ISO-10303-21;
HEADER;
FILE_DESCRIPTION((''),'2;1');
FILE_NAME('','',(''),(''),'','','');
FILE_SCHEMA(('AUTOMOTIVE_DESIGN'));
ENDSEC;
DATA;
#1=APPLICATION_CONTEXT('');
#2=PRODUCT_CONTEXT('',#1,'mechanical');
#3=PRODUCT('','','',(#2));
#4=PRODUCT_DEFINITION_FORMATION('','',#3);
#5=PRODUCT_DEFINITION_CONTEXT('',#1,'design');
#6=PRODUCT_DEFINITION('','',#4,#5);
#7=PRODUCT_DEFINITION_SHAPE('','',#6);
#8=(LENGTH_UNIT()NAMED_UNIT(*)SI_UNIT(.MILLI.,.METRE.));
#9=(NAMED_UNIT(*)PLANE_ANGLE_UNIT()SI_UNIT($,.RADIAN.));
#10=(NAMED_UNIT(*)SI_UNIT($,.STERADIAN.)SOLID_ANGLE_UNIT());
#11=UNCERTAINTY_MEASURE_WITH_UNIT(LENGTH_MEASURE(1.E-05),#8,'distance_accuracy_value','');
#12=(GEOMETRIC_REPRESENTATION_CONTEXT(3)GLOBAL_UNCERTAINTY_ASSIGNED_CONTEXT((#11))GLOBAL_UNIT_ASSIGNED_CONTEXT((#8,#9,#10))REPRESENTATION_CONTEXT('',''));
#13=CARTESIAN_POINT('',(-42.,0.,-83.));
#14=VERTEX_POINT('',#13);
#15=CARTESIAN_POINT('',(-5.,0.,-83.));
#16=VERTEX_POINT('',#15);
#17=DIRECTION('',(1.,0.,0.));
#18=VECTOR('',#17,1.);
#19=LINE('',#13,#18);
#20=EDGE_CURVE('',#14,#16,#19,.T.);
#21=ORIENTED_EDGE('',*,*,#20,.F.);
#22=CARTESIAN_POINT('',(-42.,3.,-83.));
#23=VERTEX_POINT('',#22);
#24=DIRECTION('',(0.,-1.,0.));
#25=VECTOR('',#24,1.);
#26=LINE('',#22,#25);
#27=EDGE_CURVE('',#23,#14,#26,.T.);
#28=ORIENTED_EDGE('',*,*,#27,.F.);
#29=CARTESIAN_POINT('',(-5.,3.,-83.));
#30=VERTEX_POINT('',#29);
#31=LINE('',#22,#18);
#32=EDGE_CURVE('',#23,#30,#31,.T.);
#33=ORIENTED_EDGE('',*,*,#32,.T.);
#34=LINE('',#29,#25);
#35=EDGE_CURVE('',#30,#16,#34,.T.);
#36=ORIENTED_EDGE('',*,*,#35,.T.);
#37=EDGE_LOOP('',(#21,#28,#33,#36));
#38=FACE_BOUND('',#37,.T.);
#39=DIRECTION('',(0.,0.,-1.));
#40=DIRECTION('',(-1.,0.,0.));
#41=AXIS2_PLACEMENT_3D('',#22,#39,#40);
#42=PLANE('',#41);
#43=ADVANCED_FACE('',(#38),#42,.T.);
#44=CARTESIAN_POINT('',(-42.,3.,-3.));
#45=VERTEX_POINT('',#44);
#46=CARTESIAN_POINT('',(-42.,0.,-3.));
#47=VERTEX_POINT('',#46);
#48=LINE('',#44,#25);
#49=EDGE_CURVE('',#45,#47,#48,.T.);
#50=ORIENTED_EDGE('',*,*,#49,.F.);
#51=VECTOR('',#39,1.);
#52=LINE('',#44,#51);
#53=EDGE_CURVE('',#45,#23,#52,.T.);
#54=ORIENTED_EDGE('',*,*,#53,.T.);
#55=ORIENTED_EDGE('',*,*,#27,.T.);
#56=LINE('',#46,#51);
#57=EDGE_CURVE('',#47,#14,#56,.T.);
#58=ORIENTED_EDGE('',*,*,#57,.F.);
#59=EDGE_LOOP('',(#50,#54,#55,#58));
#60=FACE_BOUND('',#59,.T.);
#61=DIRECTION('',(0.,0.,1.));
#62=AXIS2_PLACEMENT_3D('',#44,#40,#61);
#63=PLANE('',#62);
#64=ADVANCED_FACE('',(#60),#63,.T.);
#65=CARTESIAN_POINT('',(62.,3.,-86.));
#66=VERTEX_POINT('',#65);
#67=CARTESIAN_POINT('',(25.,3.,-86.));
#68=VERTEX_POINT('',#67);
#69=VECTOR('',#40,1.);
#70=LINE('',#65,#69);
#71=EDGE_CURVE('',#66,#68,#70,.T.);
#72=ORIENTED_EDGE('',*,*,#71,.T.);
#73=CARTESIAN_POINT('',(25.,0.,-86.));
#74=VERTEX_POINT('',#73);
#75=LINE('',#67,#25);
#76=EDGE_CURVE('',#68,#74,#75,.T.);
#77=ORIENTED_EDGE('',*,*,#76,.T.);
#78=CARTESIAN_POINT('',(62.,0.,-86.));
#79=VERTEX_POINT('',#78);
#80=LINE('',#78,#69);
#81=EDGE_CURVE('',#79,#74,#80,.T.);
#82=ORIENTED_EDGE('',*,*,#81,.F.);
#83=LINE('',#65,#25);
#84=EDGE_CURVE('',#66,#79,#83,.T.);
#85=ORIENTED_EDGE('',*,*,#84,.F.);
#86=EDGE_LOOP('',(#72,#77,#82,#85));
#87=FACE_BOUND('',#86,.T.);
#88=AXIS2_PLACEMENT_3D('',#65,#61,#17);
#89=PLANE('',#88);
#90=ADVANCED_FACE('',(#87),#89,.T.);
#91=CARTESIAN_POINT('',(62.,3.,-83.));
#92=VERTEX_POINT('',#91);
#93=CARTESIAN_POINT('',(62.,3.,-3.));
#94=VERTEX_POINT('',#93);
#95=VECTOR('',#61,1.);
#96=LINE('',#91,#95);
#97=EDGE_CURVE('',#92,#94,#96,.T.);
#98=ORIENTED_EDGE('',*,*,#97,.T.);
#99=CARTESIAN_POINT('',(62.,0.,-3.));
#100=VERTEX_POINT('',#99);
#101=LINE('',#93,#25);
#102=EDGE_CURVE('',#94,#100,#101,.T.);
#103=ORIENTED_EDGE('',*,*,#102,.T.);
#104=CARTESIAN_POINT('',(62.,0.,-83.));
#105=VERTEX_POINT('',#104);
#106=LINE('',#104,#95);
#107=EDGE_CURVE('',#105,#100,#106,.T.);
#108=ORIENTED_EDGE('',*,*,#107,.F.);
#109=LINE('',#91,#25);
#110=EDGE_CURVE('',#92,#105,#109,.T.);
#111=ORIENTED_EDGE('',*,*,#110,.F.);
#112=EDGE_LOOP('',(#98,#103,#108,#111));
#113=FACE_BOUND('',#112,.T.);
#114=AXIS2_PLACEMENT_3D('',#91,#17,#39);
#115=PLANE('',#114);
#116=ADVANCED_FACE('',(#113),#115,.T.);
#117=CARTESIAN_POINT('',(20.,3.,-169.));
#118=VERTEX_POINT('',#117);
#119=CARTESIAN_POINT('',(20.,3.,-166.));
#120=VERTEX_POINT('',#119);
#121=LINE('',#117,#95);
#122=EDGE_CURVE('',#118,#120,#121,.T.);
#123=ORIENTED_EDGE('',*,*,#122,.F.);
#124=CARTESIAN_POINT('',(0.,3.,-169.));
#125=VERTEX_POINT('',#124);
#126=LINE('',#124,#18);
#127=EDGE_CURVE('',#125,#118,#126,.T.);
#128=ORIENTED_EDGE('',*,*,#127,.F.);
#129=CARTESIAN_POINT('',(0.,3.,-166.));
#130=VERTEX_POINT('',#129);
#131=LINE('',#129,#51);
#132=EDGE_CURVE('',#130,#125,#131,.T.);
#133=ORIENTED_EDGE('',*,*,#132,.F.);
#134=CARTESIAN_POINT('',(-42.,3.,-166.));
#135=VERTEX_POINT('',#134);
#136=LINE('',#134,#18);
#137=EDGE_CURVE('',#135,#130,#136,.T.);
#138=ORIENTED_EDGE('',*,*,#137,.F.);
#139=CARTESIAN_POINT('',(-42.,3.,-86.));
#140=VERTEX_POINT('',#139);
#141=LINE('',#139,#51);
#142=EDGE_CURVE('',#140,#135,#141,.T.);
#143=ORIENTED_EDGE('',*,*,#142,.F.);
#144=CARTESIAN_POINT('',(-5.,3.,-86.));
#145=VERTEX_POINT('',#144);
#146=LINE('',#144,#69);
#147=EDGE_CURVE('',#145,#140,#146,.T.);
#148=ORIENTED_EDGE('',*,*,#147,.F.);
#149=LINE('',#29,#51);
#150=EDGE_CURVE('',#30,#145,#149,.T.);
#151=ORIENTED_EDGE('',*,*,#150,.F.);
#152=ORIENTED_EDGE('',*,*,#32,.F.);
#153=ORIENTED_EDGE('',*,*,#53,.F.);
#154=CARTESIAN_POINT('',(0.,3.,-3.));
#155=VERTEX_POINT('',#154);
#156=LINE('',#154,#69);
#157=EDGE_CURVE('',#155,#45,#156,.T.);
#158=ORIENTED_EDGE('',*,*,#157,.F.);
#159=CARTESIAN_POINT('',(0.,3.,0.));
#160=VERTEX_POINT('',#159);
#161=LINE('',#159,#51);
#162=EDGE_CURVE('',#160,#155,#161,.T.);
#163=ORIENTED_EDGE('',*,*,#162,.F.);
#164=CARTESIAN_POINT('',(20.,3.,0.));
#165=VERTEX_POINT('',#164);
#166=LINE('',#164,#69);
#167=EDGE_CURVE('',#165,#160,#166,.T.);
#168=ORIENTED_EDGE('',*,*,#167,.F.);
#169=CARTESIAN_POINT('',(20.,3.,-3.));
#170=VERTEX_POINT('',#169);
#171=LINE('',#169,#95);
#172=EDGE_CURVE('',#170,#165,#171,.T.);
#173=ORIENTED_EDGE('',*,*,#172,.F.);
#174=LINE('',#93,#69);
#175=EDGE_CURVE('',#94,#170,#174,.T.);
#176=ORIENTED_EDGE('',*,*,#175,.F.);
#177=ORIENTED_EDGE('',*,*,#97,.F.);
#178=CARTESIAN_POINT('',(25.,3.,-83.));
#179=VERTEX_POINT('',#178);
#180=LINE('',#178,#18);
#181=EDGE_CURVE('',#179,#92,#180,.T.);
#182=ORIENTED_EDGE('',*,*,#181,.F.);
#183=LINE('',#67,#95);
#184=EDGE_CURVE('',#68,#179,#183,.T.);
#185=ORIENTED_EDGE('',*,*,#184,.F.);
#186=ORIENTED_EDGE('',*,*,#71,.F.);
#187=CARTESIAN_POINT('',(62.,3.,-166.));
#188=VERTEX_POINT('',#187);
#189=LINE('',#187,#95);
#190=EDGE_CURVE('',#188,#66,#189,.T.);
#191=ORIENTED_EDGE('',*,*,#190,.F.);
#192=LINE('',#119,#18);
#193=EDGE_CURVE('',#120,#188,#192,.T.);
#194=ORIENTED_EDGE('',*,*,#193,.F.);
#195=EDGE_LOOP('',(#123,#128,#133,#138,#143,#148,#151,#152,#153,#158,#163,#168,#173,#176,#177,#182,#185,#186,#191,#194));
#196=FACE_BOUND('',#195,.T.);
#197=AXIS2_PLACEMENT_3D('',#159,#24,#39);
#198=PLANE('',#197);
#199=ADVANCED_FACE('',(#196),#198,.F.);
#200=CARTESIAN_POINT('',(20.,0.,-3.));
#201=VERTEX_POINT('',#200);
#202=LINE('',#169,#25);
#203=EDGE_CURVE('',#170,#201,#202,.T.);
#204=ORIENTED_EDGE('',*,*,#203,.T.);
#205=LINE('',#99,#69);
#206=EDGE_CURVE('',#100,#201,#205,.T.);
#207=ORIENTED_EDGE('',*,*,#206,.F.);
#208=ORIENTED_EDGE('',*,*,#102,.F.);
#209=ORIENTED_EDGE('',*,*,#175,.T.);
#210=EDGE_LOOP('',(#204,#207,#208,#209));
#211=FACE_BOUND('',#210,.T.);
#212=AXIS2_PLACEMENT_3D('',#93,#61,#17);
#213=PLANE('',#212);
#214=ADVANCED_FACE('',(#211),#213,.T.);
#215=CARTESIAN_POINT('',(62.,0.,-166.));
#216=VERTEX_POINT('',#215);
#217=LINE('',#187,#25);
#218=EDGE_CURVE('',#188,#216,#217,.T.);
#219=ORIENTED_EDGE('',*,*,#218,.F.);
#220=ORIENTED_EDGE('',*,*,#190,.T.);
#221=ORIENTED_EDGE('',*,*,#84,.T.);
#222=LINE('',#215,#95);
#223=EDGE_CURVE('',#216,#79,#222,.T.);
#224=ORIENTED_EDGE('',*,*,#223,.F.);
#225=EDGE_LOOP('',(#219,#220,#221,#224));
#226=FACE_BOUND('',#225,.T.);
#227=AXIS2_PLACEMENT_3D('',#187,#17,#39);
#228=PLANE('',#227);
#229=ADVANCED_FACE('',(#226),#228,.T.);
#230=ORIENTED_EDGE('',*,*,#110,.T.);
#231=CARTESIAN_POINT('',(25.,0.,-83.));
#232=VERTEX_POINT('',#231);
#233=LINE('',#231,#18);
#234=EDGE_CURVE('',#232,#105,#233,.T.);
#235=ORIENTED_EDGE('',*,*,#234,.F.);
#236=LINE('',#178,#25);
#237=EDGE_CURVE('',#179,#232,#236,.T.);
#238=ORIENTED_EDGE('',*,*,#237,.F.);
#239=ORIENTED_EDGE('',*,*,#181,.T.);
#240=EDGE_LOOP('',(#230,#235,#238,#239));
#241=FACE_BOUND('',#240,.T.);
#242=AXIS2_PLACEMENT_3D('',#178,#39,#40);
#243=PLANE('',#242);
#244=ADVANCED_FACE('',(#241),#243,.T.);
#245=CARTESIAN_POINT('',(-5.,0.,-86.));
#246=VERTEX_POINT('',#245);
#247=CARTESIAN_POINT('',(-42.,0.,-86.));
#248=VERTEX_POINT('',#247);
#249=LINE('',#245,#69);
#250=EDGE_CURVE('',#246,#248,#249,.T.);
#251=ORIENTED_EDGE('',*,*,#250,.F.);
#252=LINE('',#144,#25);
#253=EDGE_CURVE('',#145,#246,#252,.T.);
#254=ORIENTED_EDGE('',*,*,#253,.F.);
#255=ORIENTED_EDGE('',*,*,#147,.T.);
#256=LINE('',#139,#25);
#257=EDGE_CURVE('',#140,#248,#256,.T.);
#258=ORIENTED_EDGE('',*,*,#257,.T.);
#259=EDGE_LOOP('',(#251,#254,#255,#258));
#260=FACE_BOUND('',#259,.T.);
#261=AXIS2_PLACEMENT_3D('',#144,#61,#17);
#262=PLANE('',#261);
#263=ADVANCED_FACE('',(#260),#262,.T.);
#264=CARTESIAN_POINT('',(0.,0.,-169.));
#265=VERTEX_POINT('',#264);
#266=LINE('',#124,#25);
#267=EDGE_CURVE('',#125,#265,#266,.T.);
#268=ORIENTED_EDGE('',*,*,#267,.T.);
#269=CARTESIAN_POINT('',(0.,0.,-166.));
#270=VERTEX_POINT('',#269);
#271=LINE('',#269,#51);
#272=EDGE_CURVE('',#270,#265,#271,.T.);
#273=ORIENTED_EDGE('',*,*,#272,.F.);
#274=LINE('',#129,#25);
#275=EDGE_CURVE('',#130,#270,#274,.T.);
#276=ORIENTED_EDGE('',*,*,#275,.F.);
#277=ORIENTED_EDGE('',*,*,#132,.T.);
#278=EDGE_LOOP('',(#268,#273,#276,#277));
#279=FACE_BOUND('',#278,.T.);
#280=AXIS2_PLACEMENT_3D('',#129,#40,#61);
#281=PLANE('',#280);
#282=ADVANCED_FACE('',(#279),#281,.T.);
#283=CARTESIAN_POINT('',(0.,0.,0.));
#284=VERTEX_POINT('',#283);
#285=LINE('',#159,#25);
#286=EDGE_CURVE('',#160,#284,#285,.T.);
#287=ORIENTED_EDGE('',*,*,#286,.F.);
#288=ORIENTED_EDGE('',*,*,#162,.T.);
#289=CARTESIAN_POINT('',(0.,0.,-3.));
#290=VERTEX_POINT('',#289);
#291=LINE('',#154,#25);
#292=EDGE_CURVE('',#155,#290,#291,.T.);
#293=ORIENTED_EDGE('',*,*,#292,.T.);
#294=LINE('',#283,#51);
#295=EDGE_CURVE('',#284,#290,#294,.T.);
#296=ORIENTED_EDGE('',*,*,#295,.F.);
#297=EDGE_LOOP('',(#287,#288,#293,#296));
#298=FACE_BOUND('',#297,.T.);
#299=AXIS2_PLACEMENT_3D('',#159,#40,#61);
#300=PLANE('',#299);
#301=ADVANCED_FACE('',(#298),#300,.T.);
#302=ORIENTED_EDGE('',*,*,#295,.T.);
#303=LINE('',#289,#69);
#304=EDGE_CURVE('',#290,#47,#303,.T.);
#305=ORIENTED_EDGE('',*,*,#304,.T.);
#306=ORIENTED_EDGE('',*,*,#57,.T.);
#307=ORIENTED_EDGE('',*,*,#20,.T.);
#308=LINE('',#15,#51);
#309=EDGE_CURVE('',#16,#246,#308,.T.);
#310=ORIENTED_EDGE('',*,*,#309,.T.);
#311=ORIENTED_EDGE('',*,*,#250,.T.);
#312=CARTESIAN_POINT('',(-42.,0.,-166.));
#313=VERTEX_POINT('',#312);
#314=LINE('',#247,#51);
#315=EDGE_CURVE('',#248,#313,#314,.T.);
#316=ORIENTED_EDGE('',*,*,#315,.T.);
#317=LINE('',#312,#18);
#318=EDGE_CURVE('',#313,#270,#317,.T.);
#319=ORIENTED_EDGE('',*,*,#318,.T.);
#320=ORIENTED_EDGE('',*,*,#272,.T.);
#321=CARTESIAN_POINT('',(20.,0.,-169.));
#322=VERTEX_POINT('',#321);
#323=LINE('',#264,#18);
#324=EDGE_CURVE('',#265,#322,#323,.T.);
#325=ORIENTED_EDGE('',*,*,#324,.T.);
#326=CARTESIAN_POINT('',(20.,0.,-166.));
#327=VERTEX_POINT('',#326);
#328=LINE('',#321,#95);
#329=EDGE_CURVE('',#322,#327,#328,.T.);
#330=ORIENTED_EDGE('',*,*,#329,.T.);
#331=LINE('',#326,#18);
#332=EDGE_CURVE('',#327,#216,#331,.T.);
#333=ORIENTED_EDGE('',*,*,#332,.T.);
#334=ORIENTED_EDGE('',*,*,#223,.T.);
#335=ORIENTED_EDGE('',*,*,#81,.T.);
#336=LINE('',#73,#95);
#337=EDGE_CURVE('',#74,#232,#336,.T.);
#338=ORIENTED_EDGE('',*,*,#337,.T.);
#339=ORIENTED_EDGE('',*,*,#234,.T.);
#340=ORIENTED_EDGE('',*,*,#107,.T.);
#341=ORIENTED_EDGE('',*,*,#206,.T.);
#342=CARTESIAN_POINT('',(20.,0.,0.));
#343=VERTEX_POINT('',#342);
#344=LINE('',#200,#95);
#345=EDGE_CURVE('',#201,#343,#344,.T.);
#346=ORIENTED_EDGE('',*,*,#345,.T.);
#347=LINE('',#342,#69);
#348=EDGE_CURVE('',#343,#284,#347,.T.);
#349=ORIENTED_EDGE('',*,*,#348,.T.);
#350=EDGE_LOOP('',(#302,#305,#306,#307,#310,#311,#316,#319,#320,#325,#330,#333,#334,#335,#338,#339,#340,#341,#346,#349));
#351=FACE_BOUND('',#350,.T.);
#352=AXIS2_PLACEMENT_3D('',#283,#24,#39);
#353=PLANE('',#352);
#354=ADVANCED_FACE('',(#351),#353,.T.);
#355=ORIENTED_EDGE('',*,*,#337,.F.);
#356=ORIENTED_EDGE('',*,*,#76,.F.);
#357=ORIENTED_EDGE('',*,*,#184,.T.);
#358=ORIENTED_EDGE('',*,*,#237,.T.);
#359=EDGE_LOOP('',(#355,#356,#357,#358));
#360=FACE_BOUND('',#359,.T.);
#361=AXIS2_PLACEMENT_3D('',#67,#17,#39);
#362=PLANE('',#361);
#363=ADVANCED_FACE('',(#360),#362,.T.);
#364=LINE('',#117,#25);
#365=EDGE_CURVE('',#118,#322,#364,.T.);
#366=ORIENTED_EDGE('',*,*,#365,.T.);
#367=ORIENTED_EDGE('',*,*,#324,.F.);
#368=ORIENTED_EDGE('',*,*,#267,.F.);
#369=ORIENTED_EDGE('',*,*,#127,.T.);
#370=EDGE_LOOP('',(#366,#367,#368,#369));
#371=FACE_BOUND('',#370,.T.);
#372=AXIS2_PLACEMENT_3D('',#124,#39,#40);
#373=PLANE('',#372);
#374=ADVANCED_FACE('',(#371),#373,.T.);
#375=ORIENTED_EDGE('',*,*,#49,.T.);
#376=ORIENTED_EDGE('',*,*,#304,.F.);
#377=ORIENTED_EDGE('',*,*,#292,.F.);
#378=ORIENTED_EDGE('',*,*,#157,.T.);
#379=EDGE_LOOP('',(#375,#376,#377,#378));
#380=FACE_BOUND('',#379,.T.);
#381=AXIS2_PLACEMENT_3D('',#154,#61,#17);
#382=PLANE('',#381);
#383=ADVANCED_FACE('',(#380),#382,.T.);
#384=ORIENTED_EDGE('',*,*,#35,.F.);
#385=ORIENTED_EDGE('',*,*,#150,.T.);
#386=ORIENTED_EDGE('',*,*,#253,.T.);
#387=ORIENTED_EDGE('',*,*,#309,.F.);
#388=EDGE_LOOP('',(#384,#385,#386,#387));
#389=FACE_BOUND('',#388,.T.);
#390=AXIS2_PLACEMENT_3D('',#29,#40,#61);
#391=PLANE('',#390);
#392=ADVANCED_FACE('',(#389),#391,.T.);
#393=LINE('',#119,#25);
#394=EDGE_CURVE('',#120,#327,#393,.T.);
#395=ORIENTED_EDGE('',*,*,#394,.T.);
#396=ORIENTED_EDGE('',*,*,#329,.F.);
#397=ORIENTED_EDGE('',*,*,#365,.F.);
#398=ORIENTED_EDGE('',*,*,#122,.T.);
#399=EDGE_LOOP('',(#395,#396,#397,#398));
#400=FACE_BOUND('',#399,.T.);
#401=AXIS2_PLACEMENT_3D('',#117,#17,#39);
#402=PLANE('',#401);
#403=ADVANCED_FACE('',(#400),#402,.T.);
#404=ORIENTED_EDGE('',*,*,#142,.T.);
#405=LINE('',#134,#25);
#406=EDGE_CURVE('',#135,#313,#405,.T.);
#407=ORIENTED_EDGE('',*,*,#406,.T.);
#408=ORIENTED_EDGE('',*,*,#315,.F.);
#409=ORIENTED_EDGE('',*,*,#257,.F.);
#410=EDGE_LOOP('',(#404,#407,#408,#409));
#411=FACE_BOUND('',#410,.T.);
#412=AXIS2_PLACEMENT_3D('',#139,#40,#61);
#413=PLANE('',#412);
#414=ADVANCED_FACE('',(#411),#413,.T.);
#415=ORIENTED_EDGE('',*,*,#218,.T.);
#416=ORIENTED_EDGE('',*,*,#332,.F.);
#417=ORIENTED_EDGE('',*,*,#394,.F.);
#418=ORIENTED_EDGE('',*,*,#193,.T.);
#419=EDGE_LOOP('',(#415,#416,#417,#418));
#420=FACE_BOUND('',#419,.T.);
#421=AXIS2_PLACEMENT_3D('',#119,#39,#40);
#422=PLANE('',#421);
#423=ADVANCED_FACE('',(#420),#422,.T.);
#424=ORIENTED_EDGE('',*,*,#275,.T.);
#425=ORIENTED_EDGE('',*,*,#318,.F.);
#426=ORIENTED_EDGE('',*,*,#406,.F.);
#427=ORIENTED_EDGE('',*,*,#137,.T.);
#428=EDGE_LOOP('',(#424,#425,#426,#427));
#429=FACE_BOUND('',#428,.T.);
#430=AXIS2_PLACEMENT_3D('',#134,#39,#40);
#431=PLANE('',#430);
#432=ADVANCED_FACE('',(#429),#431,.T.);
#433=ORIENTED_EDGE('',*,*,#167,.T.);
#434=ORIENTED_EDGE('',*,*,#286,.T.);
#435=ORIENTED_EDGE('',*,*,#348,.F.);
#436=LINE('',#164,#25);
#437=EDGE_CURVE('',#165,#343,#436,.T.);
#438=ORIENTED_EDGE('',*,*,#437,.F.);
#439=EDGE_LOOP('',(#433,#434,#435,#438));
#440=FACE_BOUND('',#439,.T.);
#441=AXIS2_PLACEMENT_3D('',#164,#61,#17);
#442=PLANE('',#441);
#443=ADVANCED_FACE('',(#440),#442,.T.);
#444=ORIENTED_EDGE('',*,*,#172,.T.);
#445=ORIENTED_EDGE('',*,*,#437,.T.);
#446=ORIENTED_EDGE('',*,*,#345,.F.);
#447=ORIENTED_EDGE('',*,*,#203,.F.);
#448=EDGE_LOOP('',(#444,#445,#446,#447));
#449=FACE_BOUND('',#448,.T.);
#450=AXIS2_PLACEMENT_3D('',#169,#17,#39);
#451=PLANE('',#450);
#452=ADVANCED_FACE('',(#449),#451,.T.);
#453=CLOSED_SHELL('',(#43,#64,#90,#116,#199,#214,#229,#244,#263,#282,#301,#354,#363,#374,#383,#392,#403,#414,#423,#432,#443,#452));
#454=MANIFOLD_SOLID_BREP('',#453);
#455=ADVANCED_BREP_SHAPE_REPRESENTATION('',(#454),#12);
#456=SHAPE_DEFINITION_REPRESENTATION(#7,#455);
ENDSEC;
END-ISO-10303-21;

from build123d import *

# Parameters (mm, degrees)
BOSS_EXTRUDE1_DEPTH = 3


with BuildPart() as part:
    # Sketch1 → Boss-Extrude1 (new body)
    with BuildSketch(Plane(origin=(0, 0, 0), x_dir=(1, 0, 0), z_dir=(0, 1, 0))):
        Polygon((0, 0), (0, 3), (-42, 3), (-42, 83), (-5, 83), (-5, 86), (-42, 86), (-42, 166), (0, 166), (0, 169), (20, 169), (20, 166), (62, 166), (62, 86), (25, 86), (25, 83), (62, 83), (62, 3), (20, 3), (20, 0), align=None)
    extrude(amount=BOSS_EXTRUDE1_DEPTH)


solid = part.part
